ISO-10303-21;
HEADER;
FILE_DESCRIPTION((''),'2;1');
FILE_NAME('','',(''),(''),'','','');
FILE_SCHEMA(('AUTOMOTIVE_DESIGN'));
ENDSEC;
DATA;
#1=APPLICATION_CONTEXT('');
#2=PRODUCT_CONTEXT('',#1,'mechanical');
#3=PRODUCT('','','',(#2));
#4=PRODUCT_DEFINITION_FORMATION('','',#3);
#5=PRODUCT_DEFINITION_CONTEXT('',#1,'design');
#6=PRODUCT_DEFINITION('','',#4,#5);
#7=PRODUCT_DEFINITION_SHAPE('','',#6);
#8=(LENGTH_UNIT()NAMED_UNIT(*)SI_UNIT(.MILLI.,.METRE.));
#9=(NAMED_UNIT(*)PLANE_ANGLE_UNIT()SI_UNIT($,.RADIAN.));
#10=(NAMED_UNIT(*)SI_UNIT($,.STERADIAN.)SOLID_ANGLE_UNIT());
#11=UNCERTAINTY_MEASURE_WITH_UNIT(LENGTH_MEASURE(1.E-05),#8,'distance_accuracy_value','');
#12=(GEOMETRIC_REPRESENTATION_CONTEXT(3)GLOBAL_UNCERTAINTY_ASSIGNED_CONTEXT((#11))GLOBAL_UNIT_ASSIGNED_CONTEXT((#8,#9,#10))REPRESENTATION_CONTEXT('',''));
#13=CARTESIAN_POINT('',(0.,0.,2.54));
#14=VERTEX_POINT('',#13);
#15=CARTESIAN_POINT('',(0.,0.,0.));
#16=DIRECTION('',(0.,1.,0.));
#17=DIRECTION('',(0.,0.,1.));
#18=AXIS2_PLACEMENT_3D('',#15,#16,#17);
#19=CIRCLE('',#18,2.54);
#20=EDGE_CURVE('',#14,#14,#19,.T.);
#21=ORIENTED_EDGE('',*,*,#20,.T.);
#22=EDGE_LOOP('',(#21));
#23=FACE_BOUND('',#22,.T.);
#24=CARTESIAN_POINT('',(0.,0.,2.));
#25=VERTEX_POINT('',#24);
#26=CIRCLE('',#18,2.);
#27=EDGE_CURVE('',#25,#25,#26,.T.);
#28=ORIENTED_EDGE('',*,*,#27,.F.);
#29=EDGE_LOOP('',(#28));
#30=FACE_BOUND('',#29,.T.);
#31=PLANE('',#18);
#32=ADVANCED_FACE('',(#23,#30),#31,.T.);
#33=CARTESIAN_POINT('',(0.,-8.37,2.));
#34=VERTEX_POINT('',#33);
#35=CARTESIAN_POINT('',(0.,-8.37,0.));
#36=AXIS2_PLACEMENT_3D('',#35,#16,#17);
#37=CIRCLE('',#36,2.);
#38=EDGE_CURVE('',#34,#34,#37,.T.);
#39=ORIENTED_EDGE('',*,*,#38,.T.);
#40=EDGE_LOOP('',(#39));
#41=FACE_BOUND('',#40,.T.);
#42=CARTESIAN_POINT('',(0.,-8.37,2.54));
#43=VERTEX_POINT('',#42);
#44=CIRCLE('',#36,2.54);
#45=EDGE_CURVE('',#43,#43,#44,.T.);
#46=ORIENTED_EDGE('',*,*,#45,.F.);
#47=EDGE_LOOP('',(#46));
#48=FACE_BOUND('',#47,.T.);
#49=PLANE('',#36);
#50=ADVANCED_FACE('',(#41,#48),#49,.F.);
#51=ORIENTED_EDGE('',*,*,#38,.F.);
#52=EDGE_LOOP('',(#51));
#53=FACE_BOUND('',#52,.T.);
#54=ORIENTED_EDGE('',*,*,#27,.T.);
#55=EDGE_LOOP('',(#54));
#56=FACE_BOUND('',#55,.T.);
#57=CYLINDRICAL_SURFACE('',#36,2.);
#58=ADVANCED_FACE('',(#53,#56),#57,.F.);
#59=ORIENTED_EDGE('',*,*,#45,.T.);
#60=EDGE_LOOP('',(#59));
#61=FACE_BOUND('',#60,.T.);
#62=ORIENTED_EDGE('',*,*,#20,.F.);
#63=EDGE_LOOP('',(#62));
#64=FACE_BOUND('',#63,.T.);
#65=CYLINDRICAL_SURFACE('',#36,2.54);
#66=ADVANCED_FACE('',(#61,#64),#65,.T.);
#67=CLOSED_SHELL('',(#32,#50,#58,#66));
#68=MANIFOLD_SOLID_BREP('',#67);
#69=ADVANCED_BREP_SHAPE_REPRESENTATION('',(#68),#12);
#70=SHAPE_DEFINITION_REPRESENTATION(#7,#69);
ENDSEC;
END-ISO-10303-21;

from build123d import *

# Parameters (mm, degrees)
SKETCH1_R           = 2.54
SKETCH1_R_2         = 2
BOSS_EXTRUDE1_DEPTH = 8.37


with BuildPart() as part:
    # Sketch1 → Boss-Extrude1 (new body)
    with BuildSketch(Plane(origin=(0, 0, 0), x_dir=(1, 0, 0), z_dir=(0, 1, 0))):
        with Locations(Location((0, 0, 0), (0, 0, 270))):
            Circle(SKETCH1_R)
        with Locations(Location((0, 0, 0), (0, 0, 270))):
            Circle(SKETCH1_R_2, mode=Mode.SUBTRACT)
    extrude(amount=-BOSS_EXTRUDE1_DEPTH)


solid = part.part
